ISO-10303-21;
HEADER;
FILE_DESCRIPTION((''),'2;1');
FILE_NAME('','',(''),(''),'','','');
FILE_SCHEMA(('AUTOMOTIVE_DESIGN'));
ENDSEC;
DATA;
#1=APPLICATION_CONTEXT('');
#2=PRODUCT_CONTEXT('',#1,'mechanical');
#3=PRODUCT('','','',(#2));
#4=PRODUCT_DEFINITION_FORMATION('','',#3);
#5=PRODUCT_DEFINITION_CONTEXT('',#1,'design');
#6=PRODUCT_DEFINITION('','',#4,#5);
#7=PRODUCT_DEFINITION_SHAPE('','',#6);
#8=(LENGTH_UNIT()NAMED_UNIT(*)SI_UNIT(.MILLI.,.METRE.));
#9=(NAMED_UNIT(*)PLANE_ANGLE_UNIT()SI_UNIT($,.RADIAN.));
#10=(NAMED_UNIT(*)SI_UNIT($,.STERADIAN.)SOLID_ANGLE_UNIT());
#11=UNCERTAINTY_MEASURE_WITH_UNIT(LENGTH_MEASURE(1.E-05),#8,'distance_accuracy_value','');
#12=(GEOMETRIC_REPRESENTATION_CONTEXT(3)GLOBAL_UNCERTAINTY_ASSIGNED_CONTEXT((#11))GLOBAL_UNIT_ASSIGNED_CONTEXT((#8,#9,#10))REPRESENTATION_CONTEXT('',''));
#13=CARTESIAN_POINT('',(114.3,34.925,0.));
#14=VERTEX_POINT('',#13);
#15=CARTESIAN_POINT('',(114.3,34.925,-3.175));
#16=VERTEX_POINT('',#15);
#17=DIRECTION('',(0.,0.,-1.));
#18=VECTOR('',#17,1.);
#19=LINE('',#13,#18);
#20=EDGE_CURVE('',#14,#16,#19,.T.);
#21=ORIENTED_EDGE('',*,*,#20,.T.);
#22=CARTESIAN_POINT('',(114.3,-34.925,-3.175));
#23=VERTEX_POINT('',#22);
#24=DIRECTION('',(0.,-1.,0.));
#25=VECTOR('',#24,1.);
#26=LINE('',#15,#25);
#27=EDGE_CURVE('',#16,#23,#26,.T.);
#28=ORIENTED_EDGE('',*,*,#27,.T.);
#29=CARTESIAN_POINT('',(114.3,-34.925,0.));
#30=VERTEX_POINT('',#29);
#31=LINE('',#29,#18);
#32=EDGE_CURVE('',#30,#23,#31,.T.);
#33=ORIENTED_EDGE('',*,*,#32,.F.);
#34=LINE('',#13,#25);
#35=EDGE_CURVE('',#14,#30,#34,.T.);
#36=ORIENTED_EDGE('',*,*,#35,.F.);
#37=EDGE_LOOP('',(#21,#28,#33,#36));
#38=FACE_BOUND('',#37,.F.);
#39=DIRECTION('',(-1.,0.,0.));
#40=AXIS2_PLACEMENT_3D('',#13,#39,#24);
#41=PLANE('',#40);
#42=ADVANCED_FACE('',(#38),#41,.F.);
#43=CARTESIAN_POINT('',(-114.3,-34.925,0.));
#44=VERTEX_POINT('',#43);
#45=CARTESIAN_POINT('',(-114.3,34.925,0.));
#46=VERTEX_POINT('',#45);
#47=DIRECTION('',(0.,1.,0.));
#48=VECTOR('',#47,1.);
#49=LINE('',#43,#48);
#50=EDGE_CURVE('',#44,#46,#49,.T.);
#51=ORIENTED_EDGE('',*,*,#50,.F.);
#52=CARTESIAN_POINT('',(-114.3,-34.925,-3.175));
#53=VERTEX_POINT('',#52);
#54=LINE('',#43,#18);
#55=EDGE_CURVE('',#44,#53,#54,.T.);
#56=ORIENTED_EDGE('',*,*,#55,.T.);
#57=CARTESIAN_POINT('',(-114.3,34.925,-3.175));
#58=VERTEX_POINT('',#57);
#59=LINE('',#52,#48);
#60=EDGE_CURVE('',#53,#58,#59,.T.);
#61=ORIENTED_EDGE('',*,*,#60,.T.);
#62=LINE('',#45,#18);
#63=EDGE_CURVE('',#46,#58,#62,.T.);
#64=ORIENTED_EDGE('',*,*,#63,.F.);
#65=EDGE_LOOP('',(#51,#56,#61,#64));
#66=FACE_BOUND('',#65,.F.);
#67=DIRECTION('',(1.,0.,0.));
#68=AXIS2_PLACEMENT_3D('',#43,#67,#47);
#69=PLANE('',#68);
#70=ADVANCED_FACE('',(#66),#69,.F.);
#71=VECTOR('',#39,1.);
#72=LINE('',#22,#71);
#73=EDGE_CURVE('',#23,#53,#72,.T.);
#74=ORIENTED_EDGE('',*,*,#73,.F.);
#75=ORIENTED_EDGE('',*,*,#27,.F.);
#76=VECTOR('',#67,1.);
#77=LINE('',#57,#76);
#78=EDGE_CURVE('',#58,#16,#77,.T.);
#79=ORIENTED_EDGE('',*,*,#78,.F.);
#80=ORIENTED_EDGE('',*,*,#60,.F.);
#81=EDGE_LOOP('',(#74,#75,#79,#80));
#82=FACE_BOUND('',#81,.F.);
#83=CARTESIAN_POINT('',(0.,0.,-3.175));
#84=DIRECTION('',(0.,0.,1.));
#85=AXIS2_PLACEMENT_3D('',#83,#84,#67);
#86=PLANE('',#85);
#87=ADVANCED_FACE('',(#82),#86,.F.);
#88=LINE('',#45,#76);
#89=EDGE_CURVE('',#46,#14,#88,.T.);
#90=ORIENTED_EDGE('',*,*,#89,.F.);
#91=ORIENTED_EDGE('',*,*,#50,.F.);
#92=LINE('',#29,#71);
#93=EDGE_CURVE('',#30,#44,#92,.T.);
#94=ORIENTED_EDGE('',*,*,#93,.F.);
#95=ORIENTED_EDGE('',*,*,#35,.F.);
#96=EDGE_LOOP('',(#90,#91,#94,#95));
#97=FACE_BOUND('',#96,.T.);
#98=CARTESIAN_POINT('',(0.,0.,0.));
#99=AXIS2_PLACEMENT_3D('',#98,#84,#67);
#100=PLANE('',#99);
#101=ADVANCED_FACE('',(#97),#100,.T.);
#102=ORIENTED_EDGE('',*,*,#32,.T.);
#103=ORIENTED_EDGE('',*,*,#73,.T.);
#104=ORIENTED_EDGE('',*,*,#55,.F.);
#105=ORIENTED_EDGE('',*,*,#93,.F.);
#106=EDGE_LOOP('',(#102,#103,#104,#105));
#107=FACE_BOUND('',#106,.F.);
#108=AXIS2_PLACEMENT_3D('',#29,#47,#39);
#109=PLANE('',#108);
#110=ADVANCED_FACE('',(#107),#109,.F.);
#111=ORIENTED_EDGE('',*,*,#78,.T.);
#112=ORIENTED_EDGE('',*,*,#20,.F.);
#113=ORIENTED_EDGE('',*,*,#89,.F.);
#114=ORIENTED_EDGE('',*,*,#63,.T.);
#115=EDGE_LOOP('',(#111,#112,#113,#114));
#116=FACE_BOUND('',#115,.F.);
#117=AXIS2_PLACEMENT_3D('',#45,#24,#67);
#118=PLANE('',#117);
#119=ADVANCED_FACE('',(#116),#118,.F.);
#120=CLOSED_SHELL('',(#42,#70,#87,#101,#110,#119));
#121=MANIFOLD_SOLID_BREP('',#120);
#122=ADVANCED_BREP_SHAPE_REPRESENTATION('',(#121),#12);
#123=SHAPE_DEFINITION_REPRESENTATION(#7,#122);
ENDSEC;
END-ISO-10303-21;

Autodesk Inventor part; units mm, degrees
ref_plane "YZ Plane" through (0, 0, 0) normal (1, 0, 0) x (0, 1, 0)
ref_plane "XZ Plane" through (0, 0, 0) normal (0, 1, 0) x (-1, 0, 0)
ref_plane "XY Plane" through (0, 0, 0) normal (0, 0, 1) x (1, 0, 0)
sketch "Sketch1" plane through (0, 0, 0) normal (0, 0, 1) x (1, 0, 0)
  line L0 (-114.3, 34.925) -> (114.3, 34.925)
  line L1 (114.3, 34.925) -> (114.3, -34.925)
  line L2 (114.3, -34.925) -> (-114.3, -34.925)
  line L3 (-114.3, -34.925) -> (-114.3, 34.925)
  point P0 (0, 0)
  dimension "d0" = 228.6
  dimension "d1" = 114.3
  dimension "d2" = 69.85
  dimension "d3" = 34.925
extrude "Extrusion1" add sketch "Sketch1" against normal blind 3.175
equation "\"d1\" = 0.5 * d0"
equation "\"d3\" = 0.5 * d2"
properties part number "Firewall"
